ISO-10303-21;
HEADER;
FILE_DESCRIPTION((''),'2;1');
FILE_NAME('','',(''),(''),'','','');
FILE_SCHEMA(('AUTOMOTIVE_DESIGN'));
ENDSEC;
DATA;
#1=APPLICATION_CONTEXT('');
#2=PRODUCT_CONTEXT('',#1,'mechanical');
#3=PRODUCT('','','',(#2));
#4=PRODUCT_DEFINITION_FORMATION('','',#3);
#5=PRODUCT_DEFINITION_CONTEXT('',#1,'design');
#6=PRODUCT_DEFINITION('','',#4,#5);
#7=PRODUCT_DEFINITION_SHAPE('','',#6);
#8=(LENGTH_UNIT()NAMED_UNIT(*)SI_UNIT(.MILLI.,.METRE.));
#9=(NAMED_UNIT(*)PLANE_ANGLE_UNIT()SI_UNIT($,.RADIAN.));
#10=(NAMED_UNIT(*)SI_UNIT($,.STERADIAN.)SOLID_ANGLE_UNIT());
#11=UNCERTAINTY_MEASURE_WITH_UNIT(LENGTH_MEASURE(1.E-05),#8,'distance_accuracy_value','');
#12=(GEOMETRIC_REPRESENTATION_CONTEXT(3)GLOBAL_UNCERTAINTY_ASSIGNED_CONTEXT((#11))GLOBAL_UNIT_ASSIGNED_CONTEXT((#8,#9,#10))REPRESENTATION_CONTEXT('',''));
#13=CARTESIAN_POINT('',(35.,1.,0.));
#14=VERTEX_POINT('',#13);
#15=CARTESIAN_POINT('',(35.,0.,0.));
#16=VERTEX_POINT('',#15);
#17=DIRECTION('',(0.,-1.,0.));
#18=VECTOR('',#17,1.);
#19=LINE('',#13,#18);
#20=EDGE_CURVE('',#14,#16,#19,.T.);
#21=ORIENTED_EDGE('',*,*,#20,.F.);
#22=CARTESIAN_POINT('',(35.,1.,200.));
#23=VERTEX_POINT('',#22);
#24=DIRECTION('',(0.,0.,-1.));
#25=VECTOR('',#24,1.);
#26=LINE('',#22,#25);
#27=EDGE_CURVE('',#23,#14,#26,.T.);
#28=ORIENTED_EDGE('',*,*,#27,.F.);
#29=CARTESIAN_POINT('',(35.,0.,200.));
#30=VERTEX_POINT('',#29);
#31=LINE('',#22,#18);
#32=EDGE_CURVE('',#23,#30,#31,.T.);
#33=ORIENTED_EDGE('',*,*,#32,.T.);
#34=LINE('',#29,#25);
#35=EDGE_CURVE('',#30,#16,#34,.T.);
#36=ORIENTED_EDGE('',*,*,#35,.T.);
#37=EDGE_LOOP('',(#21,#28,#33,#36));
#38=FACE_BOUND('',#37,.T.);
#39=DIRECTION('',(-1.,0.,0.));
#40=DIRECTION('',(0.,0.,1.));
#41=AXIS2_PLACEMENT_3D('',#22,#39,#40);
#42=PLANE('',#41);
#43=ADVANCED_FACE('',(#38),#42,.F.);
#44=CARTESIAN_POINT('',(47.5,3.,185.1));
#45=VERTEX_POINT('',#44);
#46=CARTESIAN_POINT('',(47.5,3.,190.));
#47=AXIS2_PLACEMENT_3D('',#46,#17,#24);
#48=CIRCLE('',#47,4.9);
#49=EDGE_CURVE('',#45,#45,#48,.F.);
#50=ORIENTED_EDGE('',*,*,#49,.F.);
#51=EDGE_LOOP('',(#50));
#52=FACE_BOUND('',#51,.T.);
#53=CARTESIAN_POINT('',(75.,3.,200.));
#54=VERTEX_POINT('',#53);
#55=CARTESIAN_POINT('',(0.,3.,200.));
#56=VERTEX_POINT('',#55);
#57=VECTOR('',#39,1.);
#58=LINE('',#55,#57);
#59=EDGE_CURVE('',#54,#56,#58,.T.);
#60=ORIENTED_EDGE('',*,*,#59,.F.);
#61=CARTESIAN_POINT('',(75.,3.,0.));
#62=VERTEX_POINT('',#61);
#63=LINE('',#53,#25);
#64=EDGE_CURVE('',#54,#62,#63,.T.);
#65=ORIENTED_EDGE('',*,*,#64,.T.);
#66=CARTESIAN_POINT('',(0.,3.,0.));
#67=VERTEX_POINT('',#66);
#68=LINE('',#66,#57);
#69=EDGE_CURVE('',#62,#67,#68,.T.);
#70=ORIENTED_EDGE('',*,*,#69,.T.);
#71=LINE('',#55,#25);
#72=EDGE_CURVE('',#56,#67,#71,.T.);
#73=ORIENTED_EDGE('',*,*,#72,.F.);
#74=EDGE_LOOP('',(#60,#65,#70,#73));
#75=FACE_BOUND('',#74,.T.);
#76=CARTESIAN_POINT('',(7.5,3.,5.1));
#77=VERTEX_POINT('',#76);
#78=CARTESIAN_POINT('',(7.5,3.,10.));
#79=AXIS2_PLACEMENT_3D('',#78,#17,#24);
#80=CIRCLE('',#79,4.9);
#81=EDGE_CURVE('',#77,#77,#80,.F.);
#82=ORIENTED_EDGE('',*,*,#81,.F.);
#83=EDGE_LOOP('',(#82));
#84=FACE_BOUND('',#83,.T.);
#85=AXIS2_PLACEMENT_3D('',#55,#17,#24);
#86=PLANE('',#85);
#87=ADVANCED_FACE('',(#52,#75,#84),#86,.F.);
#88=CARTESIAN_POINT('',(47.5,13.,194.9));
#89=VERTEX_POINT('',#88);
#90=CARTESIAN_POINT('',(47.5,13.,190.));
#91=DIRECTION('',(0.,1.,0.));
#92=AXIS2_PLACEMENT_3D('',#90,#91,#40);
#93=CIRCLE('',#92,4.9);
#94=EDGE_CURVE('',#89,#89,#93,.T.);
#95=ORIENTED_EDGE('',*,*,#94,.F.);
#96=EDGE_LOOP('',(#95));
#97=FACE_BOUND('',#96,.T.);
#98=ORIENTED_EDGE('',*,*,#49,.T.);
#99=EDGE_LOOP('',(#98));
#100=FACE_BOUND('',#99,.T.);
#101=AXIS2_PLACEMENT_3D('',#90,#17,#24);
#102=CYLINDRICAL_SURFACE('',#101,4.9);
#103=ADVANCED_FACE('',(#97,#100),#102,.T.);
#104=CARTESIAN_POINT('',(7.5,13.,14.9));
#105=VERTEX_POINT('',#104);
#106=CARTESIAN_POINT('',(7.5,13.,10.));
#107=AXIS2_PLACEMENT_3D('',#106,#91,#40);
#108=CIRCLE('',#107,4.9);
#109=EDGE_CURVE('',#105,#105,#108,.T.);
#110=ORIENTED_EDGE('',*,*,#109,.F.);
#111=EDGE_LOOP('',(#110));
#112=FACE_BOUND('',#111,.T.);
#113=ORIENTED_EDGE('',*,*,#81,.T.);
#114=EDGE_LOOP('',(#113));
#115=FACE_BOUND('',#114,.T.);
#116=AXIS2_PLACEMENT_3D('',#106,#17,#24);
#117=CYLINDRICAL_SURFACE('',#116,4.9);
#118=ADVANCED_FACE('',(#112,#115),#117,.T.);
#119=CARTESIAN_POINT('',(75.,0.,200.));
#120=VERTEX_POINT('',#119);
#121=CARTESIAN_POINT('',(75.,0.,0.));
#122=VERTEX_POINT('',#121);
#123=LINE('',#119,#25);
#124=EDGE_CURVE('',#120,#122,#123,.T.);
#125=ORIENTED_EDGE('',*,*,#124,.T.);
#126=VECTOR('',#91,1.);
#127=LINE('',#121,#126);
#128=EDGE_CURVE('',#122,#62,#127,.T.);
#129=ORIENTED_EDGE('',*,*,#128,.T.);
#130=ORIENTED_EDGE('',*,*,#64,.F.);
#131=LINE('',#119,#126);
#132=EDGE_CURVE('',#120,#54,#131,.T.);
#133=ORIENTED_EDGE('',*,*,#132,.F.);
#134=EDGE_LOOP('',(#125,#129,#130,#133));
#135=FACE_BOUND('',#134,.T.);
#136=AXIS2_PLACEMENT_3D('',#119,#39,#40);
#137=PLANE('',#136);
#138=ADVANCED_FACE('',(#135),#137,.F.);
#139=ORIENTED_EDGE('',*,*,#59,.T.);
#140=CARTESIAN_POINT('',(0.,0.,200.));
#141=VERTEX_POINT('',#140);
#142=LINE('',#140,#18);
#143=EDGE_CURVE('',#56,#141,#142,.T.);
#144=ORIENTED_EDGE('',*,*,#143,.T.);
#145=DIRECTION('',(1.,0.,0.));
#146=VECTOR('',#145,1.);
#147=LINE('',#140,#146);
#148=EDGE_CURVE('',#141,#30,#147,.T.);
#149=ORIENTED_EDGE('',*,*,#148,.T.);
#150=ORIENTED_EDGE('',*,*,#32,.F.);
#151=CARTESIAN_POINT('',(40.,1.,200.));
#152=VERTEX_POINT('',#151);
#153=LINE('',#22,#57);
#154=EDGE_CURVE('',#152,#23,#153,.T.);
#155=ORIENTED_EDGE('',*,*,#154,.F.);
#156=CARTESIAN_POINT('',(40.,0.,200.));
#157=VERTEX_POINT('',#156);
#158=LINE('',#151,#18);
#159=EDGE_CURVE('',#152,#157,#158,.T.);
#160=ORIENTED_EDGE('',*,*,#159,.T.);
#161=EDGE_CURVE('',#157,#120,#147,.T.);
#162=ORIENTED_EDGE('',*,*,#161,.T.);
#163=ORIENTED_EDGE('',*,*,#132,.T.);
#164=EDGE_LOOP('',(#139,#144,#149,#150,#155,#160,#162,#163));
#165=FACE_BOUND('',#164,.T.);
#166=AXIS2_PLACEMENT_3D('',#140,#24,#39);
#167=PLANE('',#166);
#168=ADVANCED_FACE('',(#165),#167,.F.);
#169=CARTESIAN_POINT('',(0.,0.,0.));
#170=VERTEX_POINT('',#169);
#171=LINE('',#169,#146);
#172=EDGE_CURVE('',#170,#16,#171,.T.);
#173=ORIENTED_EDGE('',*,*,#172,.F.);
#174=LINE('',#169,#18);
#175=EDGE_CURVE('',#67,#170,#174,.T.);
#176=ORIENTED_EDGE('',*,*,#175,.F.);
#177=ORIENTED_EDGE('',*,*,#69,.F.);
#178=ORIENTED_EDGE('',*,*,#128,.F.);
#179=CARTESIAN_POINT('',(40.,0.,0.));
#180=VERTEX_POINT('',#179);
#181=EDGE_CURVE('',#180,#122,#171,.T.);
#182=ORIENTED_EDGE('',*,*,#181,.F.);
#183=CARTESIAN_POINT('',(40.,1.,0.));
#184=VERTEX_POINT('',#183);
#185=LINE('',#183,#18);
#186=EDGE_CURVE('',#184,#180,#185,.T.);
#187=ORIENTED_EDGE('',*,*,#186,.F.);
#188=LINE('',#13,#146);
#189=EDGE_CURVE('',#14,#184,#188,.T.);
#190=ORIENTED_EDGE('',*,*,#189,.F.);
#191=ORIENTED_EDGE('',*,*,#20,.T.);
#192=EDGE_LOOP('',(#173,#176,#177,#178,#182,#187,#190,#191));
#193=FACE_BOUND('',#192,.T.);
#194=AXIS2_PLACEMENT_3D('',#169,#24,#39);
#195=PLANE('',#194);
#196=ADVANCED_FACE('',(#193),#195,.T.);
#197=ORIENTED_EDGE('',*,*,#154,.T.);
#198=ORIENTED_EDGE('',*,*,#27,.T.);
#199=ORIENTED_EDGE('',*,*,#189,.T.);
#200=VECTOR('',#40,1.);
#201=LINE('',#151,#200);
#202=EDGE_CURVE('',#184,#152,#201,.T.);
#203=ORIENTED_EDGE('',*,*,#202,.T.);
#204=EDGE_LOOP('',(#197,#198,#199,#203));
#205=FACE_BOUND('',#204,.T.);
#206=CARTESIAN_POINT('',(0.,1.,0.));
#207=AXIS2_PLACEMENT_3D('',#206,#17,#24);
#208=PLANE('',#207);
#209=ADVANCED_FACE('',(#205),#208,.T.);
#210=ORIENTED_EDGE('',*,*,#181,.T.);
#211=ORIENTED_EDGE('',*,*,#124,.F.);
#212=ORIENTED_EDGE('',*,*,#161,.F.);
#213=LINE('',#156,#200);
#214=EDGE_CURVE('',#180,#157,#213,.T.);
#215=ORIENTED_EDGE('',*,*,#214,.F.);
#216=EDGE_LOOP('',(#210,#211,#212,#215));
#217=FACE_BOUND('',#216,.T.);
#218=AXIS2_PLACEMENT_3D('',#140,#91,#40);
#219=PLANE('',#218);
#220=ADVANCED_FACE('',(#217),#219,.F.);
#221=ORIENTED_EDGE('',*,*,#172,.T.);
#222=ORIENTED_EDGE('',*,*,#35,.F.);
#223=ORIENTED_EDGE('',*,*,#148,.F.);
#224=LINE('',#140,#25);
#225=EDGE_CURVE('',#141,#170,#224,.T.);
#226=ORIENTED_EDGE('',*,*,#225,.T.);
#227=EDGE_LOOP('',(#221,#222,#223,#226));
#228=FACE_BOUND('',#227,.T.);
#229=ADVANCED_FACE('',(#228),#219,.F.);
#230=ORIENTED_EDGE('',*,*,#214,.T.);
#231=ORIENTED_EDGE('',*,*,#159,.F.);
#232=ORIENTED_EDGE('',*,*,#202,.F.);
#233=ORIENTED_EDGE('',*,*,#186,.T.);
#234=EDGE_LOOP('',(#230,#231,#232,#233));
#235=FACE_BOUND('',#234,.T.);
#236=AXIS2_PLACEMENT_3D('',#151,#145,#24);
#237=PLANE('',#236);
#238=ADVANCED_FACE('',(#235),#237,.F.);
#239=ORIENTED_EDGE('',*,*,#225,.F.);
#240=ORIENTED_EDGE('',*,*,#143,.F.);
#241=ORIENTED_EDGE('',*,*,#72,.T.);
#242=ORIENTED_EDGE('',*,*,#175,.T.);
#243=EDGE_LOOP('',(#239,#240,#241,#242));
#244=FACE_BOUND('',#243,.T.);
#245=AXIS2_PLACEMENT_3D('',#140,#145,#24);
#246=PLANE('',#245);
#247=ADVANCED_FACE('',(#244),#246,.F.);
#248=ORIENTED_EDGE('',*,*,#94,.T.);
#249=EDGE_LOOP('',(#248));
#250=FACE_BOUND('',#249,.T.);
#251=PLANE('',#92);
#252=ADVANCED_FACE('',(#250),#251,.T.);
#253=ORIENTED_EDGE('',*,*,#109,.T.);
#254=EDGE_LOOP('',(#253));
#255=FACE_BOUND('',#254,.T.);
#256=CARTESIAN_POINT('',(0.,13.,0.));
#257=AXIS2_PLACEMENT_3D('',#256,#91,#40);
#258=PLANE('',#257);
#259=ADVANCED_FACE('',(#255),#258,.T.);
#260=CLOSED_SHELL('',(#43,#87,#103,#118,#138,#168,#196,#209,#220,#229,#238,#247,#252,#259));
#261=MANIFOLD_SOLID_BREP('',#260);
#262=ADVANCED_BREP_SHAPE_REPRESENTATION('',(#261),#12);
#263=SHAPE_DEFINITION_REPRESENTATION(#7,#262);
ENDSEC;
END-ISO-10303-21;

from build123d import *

# Parameters (mm, degrees)
SKETCH1_W           = 75
SKETCH1_H           = 3
BOSS_EXTRUDE1_DEPTH = 200
SKETCH2_R           = 4.9
BOSS_EXTRUDE2_DEPTH = 10
SKETCH3_W           = 5
SKETCH3_H           = 200
CUT_EXTRUDE1_DEPTH  = 1


with BuildPart() as part:
    # Sketch1 → Boss-Extrude1 (new body)
    with BuildSketch(Plane.XY):
        with Locations((37.5, 1.5)):
            Rectangle(SKETCH1_W, SKETCH1_H)
    extrude(amount=BOSS_EXTRUDE1_DEPTH)

    # Sketch2 → Boss-Extrude2 (add)
    with BuildSketch(Plane(origin=(0, 3, 0), x_dir=(1, 0, 0), z_dir=(0, 1, 0))):
        with Locations(Location((7.5, -10, 0), (0, 0, 90))):
            Circle(SKETCH2_R)
        with Locations(Location((47.5, -190, 0), (0, 0, 90))):
            Circle(SKETCH2_R)
    extrude(amount=BOSS_EXTRUDE2_DEPTH)

    # Sketch3 → Cut-Extrude1 (cut)
    with BuildSketch(Plane.XZ):
        with Locations((37.5, 100)):
            Rectangle(SKETCH3_W, SKETCH3_H)
    extrude(amount=-CUT_EXTRUDE1_DEPTH, mode=Mode.SUBTRACT)


solid = part.part
